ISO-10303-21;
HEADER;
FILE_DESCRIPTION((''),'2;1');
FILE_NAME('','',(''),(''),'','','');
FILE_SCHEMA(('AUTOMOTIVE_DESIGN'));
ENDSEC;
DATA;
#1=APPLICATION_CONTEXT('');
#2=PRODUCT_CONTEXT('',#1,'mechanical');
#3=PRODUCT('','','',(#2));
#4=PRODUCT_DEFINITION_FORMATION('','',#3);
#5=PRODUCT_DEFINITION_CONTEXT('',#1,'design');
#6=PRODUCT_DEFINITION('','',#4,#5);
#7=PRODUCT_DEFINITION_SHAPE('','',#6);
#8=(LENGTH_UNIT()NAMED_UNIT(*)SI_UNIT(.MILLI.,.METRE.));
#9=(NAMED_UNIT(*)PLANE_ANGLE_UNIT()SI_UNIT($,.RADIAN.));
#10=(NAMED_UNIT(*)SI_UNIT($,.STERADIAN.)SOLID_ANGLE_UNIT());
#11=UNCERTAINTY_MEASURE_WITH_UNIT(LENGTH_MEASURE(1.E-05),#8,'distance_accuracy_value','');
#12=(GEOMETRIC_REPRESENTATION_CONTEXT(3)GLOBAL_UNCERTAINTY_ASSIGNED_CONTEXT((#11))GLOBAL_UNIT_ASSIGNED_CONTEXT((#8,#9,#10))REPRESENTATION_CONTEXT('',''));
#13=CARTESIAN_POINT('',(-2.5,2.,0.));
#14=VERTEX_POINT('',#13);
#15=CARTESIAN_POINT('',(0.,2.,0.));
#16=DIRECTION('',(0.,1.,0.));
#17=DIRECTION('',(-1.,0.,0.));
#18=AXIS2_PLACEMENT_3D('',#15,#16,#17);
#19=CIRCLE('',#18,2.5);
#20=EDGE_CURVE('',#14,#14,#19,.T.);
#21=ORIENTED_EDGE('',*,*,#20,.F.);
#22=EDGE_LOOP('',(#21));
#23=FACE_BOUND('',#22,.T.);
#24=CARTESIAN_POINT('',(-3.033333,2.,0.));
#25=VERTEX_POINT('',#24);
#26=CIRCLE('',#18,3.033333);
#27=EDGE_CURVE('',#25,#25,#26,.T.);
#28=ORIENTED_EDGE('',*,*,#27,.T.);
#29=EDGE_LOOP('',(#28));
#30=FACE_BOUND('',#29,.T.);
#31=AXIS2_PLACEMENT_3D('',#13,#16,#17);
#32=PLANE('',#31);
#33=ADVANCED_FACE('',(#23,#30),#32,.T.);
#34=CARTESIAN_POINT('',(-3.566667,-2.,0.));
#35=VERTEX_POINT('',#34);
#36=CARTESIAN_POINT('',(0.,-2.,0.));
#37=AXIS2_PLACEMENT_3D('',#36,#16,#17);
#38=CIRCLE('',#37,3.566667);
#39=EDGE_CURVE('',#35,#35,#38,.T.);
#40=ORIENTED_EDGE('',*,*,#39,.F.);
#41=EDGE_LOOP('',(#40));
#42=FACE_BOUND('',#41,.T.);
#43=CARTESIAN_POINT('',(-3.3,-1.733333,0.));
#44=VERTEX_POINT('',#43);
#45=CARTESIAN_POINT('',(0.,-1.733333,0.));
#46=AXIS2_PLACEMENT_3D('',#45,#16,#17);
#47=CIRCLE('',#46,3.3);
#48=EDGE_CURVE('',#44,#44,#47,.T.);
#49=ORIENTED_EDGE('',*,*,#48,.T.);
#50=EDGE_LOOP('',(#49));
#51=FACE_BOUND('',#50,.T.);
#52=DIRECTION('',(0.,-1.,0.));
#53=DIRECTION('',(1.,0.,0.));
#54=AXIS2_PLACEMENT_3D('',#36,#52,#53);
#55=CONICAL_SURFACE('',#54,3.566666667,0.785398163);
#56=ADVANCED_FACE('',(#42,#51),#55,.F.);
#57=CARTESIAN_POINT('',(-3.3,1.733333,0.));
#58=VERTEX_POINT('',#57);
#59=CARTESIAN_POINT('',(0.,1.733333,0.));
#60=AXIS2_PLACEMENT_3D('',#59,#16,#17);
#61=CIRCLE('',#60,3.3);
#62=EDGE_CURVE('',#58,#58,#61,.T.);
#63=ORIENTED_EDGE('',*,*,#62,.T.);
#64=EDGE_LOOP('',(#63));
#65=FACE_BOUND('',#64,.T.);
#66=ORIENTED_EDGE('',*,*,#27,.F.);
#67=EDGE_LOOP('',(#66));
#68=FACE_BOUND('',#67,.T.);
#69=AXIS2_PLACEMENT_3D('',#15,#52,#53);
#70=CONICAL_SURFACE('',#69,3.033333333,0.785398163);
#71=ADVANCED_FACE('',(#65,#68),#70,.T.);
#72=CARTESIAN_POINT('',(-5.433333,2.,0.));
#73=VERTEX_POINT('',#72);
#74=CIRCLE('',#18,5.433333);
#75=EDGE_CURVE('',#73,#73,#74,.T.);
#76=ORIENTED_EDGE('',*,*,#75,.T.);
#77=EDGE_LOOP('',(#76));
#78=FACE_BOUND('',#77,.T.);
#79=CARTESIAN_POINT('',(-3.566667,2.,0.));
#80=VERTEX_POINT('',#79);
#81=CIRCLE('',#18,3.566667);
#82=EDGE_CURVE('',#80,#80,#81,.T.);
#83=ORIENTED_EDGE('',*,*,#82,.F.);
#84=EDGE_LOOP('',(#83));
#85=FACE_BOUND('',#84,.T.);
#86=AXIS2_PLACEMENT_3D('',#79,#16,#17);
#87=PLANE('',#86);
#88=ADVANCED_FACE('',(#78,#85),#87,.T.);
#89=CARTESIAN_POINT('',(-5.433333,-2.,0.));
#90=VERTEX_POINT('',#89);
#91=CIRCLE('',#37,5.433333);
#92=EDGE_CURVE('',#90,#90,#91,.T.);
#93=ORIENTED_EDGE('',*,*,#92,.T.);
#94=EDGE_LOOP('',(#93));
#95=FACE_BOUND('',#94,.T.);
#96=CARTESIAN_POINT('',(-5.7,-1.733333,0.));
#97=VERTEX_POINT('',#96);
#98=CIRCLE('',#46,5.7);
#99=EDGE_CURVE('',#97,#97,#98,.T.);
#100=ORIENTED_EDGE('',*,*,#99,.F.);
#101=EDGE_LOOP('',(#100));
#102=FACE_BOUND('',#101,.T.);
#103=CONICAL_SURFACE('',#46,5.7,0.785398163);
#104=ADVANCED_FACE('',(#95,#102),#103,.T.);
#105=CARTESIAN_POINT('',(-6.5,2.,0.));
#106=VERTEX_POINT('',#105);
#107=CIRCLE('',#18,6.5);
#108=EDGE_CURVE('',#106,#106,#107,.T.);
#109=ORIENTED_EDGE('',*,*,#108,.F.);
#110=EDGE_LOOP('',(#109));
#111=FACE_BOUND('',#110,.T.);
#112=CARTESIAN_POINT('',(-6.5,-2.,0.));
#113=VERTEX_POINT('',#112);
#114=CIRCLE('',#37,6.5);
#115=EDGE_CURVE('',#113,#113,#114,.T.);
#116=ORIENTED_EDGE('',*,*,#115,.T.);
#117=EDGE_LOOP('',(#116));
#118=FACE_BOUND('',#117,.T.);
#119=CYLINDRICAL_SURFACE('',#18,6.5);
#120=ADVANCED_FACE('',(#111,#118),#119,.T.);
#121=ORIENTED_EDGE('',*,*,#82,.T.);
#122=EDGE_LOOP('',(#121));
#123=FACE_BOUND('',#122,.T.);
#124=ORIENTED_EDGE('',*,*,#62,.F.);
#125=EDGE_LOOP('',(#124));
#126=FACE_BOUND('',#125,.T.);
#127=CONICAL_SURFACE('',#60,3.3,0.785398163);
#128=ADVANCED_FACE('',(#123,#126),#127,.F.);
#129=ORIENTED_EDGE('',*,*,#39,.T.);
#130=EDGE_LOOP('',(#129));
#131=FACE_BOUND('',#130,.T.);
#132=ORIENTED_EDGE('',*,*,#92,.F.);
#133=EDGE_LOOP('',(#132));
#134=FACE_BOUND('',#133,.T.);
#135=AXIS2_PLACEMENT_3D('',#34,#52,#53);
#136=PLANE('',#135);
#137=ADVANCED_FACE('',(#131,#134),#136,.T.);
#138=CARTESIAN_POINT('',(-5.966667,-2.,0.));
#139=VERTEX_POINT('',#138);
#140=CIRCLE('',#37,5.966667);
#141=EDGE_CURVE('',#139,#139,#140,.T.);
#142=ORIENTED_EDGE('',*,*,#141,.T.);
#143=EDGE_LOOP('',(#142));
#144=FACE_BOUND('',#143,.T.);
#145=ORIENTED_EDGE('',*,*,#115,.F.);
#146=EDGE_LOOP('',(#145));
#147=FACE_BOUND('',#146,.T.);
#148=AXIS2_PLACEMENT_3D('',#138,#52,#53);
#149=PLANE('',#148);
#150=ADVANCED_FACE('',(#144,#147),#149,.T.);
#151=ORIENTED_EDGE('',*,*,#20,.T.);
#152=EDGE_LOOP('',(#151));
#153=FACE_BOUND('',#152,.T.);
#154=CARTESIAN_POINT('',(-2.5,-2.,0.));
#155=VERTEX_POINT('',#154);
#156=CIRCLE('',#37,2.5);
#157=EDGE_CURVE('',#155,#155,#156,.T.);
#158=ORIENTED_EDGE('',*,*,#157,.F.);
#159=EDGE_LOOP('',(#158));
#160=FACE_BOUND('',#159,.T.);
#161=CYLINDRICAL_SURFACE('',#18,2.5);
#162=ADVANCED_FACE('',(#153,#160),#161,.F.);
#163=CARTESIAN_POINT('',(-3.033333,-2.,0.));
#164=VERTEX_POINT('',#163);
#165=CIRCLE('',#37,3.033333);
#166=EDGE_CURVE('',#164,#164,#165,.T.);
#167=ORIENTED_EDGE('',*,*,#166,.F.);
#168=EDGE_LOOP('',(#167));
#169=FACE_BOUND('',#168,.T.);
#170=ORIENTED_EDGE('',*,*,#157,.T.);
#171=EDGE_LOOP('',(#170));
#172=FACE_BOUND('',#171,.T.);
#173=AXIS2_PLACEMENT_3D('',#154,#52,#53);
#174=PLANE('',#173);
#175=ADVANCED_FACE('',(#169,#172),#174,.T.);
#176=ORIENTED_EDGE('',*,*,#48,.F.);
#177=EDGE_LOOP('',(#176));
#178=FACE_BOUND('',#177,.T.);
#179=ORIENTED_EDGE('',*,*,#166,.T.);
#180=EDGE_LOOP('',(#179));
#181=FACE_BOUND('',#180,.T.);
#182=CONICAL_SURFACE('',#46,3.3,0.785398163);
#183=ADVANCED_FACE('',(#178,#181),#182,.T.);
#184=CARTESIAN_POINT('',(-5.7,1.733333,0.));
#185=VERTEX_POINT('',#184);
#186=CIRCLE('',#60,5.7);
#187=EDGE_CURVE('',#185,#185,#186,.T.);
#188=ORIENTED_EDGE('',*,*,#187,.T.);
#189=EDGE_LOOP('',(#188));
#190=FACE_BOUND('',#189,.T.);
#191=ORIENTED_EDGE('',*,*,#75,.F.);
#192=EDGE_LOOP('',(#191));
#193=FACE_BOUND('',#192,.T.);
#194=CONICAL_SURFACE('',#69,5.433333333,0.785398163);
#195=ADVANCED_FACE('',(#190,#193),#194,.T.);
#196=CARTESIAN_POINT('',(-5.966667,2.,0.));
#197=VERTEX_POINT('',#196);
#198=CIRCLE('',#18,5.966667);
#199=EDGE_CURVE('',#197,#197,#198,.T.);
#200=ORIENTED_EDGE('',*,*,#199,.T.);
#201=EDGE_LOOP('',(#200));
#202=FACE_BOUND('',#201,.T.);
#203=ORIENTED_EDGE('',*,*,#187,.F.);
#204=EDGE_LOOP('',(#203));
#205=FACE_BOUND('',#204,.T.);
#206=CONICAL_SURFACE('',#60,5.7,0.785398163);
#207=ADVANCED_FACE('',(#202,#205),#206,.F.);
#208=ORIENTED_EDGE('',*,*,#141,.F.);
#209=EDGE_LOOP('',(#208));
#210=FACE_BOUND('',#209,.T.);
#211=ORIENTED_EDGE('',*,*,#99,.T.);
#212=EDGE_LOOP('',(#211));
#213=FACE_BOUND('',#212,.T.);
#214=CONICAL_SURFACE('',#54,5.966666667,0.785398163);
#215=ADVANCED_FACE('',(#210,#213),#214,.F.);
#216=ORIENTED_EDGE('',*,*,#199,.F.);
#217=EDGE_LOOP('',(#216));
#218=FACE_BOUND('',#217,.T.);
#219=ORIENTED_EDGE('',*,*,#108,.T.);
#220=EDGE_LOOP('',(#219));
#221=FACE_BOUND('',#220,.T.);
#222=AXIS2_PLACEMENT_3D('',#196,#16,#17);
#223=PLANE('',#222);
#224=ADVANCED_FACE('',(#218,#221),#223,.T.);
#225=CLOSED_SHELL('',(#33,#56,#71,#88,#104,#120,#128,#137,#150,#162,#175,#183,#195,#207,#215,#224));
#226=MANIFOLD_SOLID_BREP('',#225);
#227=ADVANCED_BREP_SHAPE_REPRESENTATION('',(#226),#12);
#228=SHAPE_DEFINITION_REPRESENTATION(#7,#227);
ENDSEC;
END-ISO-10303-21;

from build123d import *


with BuildPart() as part:
    # Sketch1 → Revolve1 (revolve)
    with BuildSketch(Plane.XY):
        Polygon((-2.5, 2), (-3.033333333, 2), (-3.3, 1.733333333), (-3.566666667, 2), (-5.433333333, 2), (-5.7, 1.733333333), (-5.966666667, 2), (-6.5, 2), (-6.5, -2), (-5.966666667, -2), (-5.7, -1.733333333), (-5.433333333, -2), (-3.566666667, -2), (-3.3, -1.733333333), (-3.033333333, -2), (-2.5, -2), align=None)
    revolve(axis=Axis((0, 2, 0), (0, -1, 0)))


solid = part.part
